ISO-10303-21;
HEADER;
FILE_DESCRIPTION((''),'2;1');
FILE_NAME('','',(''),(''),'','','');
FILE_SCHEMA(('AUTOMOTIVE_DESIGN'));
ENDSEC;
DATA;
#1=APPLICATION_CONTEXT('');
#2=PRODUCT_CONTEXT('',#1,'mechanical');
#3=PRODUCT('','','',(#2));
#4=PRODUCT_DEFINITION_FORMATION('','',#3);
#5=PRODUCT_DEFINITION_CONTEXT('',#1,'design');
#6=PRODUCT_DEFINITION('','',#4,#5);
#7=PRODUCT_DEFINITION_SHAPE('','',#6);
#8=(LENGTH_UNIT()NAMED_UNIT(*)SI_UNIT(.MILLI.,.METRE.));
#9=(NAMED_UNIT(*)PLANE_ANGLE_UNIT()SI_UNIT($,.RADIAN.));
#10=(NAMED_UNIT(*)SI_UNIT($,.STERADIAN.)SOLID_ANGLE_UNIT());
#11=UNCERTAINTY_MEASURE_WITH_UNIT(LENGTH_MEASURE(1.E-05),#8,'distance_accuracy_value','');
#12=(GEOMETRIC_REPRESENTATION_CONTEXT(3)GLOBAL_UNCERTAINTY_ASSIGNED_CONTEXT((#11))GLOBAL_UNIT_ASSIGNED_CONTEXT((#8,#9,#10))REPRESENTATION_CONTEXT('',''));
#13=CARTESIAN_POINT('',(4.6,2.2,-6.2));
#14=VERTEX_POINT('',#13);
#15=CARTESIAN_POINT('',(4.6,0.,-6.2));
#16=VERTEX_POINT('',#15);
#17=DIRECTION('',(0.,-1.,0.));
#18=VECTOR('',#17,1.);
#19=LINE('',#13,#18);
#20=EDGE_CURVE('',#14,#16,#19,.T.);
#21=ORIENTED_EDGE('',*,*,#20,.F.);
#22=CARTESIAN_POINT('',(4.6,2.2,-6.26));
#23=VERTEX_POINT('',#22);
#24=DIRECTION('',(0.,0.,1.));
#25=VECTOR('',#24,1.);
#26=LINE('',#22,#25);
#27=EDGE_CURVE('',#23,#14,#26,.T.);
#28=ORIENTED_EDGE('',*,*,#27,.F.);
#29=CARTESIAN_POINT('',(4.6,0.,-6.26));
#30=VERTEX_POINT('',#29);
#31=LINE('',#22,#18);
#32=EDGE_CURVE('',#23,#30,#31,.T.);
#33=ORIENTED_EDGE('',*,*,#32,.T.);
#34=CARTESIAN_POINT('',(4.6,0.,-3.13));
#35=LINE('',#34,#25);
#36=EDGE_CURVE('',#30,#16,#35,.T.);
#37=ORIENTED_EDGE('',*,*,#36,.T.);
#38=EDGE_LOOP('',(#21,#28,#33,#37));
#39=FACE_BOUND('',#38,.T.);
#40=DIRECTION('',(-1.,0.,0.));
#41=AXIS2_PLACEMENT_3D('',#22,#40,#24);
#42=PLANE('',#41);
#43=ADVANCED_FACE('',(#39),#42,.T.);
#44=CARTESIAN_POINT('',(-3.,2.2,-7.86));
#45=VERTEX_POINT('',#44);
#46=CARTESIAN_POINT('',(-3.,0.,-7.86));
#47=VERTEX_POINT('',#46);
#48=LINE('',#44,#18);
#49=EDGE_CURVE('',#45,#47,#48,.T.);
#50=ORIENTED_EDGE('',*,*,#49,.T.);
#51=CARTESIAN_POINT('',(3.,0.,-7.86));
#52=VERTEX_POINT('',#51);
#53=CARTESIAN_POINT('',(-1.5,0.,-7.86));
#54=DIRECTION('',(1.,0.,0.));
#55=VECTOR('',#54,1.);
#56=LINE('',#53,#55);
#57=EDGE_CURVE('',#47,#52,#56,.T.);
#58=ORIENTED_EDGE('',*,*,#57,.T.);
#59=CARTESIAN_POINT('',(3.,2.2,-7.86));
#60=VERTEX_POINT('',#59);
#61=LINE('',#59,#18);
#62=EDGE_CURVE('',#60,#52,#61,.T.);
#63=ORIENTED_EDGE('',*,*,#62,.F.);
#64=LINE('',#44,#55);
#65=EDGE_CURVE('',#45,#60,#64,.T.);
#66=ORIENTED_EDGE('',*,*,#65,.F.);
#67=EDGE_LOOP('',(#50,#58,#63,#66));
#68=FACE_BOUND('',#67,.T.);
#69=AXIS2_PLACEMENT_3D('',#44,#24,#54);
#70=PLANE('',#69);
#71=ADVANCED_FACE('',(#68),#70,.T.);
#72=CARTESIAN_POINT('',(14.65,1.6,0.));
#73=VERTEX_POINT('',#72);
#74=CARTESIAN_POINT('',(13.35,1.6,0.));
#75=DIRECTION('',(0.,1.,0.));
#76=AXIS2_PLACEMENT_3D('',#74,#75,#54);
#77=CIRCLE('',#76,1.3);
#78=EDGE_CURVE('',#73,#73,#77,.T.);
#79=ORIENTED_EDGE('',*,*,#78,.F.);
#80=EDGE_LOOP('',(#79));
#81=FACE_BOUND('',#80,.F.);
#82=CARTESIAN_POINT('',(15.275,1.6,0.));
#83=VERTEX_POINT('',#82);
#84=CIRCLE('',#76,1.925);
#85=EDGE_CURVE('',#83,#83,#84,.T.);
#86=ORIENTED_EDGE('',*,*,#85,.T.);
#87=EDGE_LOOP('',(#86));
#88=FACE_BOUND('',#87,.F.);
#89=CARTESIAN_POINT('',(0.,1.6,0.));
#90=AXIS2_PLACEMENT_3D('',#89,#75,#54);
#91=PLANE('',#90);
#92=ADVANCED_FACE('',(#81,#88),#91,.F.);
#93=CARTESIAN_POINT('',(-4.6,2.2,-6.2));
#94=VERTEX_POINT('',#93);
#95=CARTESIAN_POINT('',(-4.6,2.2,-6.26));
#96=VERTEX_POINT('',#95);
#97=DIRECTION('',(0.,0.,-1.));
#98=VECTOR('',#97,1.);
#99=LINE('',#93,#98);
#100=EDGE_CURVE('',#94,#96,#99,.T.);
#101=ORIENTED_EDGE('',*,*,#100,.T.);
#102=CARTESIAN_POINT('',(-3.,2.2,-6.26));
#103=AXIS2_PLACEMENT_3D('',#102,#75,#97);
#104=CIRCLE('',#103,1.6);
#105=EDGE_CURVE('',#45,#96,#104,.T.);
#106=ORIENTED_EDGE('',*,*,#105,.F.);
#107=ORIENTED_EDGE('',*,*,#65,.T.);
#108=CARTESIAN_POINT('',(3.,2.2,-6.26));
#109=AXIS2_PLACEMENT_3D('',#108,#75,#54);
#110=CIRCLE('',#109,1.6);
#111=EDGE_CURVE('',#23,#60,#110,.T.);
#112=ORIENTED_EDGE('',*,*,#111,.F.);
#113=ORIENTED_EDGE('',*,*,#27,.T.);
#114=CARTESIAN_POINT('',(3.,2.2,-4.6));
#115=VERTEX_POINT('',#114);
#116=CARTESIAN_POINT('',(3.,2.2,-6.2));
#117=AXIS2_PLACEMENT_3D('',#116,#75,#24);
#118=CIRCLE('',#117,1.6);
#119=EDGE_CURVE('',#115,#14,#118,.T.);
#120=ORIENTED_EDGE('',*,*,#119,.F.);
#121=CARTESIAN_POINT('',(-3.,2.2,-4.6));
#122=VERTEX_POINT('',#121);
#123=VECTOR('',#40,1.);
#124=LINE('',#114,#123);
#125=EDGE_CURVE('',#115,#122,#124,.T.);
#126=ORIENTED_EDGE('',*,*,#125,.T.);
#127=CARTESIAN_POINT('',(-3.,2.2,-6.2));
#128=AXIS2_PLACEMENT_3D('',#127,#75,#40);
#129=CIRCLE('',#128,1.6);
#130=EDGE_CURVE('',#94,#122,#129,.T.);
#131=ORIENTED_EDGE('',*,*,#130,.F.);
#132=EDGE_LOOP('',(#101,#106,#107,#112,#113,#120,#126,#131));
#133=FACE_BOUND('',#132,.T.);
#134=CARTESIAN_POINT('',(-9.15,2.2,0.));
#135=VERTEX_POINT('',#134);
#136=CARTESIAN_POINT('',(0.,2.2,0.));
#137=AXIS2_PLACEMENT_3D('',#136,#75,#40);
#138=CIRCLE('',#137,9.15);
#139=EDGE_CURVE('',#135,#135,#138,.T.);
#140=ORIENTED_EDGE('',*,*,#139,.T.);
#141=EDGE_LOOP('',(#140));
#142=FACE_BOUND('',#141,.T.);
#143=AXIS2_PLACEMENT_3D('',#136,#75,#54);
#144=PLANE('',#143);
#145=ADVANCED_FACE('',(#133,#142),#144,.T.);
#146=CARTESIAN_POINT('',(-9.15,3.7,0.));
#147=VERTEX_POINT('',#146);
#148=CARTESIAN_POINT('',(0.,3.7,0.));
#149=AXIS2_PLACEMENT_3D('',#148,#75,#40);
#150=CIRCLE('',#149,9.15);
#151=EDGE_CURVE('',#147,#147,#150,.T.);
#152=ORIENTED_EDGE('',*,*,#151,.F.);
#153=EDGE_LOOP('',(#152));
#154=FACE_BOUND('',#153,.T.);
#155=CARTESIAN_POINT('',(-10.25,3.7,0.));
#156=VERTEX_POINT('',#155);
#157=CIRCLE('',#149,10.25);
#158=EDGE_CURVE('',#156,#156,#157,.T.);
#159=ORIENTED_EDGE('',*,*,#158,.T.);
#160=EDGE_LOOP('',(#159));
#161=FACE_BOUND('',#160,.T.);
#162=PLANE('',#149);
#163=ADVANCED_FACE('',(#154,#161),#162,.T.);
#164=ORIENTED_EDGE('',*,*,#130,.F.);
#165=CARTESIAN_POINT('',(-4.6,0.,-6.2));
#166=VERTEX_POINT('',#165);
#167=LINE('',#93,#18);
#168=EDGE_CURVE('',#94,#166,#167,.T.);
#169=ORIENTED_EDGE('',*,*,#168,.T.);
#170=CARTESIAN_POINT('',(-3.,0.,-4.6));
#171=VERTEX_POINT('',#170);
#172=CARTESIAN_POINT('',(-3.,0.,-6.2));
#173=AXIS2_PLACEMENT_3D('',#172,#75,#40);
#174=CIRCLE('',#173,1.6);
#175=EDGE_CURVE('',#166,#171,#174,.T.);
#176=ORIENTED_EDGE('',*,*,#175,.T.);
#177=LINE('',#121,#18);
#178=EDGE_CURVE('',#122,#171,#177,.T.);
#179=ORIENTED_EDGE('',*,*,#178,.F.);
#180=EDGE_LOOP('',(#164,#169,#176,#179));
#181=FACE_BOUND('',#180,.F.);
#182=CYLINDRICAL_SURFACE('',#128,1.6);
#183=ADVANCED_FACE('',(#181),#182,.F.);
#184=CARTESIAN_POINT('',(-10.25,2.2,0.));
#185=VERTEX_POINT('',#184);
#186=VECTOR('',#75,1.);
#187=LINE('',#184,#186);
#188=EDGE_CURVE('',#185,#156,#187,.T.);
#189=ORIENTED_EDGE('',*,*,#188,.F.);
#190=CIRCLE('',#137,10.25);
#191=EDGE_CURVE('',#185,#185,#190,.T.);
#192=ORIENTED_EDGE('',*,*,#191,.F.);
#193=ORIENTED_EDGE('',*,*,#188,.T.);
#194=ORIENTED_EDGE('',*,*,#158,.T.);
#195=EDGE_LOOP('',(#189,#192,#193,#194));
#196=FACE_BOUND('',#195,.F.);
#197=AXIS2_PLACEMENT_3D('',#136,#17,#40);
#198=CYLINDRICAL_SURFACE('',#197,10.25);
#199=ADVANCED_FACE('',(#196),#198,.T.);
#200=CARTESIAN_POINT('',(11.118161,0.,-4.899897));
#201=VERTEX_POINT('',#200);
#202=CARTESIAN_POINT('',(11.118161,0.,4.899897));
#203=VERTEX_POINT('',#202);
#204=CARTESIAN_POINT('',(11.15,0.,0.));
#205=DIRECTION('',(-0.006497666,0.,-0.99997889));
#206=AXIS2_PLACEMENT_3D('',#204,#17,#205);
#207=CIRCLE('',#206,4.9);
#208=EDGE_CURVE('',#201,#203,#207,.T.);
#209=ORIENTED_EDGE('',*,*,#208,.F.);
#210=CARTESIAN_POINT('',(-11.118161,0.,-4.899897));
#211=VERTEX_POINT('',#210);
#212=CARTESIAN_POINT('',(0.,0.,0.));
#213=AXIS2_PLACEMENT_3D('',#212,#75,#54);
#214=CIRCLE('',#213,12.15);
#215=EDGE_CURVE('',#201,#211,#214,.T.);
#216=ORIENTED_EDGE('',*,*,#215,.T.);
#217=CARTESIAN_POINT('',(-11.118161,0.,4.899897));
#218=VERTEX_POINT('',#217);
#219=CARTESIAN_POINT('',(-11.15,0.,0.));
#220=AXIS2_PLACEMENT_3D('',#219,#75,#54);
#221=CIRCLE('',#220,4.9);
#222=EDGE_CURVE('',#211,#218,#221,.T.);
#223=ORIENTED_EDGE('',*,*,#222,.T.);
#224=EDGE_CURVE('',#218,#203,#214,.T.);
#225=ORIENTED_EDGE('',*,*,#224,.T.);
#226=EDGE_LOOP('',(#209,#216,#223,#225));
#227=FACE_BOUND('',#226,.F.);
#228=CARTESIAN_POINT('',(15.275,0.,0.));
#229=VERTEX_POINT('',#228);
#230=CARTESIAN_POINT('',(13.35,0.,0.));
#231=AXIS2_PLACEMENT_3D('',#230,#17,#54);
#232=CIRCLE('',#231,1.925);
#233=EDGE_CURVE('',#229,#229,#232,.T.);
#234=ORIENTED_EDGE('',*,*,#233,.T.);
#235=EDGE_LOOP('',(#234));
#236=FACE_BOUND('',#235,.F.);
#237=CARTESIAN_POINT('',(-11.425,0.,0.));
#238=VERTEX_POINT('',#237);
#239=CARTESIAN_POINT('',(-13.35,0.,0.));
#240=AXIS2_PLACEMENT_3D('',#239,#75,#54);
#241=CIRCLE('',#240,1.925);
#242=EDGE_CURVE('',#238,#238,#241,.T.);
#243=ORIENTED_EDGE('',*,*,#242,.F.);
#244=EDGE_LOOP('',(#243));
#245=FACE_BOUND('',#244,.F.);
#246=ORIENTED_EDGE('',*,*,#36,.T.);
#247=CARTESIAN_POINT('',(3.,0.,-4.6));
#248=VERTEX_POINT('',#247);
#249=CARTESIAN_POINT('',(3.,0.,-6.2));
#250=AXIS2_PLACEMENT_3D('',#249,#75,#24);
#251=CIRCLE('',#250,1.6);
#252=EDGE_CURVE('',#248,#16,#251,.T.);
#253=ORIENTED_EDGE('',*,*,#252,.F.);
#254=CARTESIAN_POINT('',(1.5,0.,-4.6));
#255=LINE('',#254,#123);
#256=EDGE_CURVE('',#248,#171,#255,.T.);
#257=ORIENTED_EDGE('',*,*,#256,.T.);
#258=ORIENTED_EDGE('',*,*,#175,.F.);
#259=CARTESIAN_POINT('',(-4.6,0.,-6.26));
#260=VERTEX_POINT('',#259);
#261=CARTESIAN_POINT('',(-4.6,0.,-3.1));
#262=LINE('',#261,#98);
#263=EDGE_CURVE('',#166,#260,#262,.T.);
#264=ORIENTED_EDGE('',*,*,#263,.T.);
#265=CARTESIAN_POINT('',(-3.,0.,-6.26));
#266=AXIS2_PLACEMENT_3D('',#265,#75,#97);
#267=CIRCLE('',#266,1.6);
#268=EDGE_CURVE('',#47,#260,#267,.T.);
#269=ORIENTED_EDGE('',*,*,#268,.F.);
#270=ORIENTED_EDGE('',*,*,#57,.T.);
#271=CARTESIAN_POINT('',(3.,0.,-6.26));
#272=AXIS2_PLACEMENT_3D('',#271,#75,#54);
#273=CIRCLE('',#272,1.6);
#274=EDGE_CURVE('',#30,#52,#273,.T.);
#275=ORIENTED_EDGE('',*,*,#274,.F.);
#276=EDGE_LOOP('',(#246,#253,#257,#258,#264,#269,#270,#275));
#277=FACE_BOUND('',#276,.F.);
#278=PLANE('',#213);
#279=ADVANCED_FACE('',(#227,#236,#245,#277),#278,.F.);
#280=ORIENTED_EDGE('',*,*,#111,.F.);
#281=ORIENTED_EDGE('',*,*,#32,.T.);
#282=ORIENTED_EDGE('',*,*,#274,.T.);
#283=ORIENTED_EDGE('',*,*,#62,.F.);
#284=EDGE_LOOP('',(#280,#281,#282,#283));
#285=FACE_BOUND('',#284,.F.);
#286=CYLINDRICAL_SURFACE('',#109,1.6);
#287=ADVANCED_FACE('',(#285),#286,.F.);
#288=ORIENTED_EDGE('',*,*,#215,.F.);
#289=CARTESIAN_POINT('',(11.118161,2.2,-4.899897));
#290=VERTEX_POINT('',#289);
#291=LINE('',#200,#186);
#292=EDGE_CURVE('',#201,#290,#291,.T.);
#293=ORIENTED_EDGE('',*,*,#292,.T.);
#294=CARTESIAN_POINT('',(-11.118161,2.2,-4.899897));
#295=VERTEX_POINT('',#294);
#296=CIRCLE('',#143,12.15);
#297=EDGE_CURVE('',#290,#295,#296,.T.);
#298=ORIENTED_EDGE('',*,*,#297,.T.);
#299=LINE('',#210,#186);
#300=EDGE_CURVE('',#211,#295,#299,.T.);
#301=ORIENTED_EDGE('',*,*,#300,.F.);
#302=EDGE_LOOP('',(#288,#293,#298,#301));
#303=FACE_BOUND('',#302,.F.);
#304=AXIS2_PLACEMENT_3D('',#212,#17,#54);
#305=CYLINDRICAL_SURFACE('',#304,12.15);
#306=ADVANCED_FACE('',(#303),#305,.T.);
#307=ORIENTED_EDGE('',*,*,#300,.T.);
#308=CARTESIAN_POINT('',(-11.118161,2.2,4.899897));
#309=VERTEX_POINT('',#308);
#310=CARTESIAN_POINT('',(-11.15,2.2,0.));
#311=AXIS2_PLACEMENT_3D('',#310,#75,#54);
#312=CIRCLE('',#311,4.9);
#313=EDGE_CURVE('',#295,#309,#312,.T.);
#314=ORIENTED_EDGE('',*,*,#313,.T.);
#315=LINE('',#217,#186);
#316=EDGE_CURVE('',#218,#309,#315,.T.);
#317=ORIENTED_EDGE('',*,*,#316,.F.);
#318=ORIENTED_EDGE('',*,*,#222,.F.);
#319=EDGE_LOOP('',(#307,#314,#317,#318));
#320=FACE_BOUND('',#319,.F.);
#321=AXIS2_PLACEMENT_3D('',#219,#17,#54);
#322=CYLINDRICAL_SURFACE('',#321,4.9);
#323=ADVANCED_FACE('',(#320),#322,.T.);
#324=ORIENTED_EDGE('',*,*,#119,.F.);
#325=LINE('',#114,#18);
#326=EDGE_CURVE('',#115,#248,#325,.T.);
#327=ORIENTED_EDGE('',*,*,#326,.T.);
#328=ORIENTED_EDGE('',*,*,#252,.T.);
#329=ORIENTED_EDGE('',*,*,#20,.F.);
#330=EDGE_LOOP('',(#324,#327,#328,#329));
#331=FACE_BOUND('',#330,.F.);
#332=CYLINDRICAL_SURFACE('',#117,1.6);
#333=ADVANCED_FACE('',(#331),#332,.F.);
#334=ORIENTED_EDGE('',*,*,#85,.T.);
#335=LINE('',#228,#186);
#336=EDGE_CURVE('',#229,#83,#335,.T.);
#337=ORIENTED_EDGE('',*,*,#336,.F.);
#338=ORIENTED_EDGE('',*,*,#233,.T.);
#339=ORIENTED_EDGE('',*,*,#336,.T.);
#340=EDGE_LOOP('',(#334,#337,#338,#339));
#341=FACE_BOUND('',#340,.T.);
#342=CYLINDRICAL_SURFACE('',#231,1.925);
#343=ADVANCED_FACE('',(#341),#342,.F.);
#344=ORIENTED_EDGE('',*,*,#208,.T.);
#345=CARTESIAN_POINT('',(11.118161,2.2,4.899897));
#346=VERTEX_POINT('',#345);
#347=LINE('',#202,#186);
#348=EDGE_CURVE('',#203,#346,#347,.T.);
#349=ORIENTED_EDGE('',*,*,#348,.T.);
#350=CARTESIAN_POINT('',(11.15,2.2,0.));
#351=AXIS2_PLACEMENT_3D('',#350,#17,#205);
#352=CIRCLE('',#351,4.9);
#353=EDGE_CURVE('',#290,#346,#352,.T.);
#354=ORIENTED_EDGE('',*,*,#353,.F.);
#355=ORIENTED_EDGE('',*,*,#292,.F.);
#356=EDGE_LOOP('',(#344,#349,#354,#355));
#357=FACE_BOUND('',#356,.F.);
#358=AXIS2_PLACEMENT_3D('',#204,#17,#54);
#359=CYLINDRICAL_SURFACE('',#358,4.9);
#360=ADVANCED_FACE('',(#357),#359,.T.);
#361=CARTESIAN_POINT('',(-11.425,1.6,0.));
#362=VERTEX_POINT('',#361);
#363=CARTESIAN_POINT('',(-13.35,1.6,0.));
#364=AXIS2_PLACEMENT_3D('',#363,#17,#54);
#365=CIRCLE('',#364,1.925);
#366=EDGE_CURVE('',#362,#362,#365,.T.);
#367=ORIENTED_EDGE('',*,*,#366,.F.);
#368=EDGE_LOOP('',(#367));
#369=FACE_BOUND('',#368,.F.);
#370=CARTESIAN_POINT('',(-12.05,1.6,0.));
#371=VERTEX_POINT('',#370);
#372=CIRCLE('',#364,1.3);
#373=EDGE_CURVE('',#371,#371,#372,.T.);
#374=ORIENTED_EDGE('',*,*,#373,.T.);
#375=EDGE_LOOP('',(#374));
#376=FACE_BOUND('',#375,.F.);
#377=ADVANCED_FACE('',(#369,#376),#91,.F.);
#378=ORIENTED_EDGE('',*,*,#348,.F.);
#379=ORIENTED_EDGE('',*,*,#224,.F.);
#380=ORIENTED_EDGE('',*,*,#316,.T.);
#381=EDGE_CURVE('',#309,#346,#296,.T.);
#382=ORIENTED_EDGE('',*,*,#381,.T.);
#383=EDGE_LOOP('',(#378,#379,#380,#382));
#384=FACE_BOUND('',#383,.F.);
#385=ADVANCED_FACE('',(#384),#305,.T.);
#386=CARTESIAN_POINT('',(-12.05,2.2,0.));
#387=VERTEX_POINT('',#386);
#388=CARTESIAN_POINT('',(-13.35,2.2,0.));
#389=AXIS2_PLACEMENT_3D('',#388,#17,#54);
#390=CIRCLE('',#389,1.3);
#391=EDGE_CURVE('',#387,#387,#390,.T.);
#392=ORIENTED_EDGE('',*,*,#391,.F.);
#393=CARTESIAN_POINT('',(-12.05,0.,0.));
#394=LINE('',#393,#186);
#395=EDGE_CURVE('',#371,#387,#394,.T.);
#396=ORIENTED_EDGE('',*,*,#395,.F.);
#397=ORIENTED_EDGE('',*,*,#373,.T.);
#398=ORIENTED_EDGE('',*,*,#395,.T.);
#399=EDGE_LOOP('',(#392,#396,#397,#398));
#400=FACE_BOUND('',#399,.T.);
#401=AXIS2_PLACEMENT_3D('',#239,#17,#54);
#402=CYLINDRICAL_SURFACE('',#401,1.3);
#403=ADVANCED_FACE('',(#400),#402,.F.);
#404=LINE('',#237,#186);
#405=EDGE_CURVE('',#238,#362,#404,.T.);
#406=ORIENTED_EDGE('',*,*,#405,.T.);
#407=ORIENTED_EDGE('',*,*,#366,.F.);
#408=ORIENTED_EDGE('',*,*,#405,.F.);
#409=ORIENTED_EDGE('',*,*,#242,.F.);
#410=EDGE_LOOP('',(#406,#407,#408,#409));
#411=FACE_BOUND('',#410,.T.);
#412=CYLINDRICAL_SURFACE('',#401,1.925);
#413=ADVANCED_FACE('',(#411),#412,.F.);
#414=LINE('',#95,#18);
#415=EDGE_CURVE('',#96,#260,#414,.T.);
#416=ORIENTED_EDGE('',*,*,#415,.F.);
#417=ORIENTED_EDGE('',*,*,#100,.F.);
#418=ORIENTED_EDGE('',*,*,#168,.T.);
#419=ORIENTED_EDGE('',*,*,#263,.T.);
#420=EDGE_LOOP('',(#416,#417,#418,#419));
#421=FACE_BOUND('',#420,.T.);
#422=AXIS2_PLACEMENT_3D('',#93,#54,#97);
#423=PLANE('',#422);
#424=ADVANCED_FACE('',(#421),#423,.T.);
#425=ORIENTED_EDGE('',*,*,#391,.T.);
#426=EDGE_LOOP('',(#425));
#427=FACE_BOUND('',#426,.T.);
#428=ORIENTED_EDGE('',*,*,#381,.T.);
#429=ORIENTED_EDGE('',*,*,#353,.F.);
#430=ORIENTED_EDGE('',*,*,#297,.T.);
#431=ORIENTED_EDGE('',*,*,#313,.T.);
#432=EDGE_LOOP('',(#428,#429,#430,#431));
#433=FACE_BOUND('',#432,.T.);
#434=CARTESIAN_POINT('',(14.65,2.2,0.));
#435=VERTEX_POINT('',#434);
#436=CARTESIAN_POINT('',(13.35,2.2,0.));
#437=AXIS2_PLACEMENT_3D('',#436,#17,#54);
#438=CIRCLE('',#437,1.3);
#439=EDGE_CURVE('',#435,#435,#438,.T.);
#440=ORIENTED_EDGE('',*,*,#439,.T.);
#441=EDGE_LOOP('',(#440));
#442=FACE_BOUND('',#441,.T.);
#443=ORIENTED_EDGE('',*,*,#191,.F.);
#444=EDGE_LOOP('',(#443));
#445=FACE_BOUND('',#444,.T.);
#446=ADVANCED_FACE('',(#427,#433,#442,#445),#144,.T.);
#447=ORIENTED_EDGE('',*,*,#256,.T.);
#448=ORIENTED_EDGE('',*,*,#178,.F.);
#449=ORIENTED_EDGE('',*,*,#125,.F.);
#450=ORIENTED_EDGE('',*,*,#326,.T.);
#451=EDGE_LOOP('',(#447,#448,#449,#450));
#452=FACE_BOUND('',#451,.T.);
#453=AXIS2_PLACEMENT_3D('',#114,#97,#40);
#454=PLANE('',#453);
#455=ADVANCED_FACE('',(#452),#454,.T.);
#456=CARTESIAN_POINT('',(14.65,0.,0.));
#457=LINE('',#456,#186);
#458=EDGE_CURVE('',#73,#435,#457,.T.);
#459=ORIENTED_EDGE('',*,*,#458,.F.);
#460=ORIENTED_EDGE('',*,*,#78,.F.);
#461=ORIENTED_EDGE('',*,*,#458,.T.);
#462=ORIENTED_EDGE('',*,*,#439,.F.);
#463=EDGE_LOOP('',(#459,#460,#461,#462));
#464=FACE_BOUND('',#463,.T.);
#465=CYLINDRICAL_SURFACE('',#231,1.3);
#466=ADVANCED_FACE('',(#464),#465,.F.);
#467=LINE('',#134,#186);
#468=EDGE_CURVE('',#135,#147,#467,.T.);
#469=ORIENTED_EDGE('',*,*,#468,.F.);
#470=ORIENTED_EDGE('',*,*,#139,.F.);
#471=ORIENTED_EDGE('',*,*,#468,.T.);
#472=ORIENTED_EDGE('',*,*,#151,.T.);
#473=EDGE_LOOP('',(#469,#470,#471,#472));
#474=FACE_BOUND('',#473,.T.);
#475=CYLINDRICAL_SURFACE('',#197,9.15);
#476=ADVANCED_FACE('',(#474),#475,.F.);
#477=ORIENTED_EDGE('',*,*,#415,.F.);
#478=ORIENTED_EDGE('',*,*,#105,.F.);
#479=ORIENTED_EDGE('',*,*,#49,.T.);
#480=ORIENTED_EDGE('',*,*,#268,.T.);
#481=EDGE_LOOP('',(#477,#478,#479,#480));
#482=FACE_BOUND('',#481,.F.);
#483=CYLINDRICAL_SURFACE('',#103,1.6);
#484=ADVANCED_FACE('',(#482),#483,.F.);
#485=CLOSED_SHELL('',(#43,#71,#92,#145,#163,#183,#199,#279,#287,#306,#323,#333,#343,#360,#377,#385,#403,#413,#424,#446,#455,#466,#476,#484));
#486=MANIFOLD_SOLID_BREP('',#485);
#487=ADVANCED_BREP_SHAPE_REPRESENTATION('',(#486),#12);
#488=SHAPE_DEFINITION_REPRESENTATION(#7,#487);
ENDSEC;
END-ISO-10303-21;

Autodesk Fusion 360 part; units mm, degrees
sketch "스케치1" plane through (0, 0, 0) normal (0, 1, 0) x (1, 0, 0)
  circle A0 centre (0, 0) radius 12.15
  circle A1 centre (11.15, 0) radius 4.9
  circle A2 centre (-11.15, 0) radius 4.9
  circle A3 centre (13.35, 0) radius 1.3
  circle A4 centre (-13.35, 0) radius 1.3
  circle A5 centre (13.35, 0) radius 1.925
  circle A6 centre (-13.35, 0) radius 1.925
  dimension "d1" = 24.3
  dimension "d2" = 9.8
  dimension "d3" = 9.8
  dimension "d4" = 2.6
  dimension "d5" = 2.2
  dimension "d6" = 2.6
  dimension "d7" = 2.2
  dimension "d8" = 11.15
  dimension "d9" = 11.15
  dimension "d10" = 3.85
  dimension "d11" = 3.85
extrude "돌출1" add sketch "스케치1" along normal blind 2.2
extrude "돌출2" cut sketch "스케치1" along normal blind 1.6 contours A0 A4 A6 | A0 A4 A6 | A0 A4 | A0 A4
extrude "돌출3" cut sketch "스케치1" along normal blind 1.6 contours A0 A3 | A0 A3 A5 | A0 A3 A5 picked at (12.0867, 0.0541)
extrude "돌출4" cut sketch "스케치1" along normal blind 2.2 contours A0 A3 | A0 A3
extrude "돌출5" cut sketch "스케치1" along normal blind 2.2 contours A0 A4 | A0 A4
sketch "스케치2" plane through (0, 2.2, 0) normal (0, 1, 0) x (-1, 0, 0)
  circle A0 centre (13.35, 0) radius 1.3
  circle A1 centre (-13.35, 0) radius 1.3
  arc A2 (-11.1182, -4.8999) -> (11.1182, -4.8999) centre (0, 0) ccw
  arc A3 (11.1182, -4.8999) -> (11.1182, 4.8999) centre (11.15, 0) ccw
  arc A4 (11.1182, 4.8999) -> (-11.1182, 4.8999) centre (0, 0) ccw
  arc A5 (-11.1182, 4.8999) -> (-11.1182, -4.8999) centre (-11.15, 0) ccw
  circle A6 centre (0, 0) radius 10.25
  circle A7 centre (0, 0) radius 9.15
  dimension "d22" = 20.5
  dimension "d23" = 18.3
extrude "돌출6" add sketch "스케치2" along normal blind 1.5 contours A6
sketch "스케치3" plane through (0, 2.2, 0) normal (0, 1, 0) x (-1, 0, 0)
  circle A0 centre (0, 0) radius 9.15
  line L0 (3, -7.86) -> (-3, -7.86)
  line L1 (-4.6, -6.26) -> (-4.6, -6.2)
  line L2 (-3, -4.6) -> (3, -4.6)
  line L3 (4.6, -6.2) -> (4.6, -6.26)
  arc A1 (-4.6, -6.26) -> (-3, -7.86) centre (-3, -6.26) ccw
  arc A2 (-3, -4.6) -> (-4.6, -6.2) centre (-3, -6.2) ccw
  arc A3 (3, -7.86) -> (4.6, -6.26) centre (3, -6.26) ccw
  arc A4 (4.6, -6.2) -> (3, -4.6) centre (3, -6.2) ccw
  point P0 (4.6, -7.86)
  point P1 (-4.6, -7.86)
  point P2 (4.6, -4.6)
  point P3 (0, -4.6)
  dimension "d26" = 9.2
  dimension "d27" = 3.26
  dimension "d28" = 1.6
  dimension "d29" = 1.6
  dimension "d30" = 1.6
  dimension "d31" = 1.6
  dimension "d32" = 4.6
extrude "돌출7" cut sketch "스케치3" against normal blind 10 contours L0 L1 L2 L3 A1 A2 A3 A4
